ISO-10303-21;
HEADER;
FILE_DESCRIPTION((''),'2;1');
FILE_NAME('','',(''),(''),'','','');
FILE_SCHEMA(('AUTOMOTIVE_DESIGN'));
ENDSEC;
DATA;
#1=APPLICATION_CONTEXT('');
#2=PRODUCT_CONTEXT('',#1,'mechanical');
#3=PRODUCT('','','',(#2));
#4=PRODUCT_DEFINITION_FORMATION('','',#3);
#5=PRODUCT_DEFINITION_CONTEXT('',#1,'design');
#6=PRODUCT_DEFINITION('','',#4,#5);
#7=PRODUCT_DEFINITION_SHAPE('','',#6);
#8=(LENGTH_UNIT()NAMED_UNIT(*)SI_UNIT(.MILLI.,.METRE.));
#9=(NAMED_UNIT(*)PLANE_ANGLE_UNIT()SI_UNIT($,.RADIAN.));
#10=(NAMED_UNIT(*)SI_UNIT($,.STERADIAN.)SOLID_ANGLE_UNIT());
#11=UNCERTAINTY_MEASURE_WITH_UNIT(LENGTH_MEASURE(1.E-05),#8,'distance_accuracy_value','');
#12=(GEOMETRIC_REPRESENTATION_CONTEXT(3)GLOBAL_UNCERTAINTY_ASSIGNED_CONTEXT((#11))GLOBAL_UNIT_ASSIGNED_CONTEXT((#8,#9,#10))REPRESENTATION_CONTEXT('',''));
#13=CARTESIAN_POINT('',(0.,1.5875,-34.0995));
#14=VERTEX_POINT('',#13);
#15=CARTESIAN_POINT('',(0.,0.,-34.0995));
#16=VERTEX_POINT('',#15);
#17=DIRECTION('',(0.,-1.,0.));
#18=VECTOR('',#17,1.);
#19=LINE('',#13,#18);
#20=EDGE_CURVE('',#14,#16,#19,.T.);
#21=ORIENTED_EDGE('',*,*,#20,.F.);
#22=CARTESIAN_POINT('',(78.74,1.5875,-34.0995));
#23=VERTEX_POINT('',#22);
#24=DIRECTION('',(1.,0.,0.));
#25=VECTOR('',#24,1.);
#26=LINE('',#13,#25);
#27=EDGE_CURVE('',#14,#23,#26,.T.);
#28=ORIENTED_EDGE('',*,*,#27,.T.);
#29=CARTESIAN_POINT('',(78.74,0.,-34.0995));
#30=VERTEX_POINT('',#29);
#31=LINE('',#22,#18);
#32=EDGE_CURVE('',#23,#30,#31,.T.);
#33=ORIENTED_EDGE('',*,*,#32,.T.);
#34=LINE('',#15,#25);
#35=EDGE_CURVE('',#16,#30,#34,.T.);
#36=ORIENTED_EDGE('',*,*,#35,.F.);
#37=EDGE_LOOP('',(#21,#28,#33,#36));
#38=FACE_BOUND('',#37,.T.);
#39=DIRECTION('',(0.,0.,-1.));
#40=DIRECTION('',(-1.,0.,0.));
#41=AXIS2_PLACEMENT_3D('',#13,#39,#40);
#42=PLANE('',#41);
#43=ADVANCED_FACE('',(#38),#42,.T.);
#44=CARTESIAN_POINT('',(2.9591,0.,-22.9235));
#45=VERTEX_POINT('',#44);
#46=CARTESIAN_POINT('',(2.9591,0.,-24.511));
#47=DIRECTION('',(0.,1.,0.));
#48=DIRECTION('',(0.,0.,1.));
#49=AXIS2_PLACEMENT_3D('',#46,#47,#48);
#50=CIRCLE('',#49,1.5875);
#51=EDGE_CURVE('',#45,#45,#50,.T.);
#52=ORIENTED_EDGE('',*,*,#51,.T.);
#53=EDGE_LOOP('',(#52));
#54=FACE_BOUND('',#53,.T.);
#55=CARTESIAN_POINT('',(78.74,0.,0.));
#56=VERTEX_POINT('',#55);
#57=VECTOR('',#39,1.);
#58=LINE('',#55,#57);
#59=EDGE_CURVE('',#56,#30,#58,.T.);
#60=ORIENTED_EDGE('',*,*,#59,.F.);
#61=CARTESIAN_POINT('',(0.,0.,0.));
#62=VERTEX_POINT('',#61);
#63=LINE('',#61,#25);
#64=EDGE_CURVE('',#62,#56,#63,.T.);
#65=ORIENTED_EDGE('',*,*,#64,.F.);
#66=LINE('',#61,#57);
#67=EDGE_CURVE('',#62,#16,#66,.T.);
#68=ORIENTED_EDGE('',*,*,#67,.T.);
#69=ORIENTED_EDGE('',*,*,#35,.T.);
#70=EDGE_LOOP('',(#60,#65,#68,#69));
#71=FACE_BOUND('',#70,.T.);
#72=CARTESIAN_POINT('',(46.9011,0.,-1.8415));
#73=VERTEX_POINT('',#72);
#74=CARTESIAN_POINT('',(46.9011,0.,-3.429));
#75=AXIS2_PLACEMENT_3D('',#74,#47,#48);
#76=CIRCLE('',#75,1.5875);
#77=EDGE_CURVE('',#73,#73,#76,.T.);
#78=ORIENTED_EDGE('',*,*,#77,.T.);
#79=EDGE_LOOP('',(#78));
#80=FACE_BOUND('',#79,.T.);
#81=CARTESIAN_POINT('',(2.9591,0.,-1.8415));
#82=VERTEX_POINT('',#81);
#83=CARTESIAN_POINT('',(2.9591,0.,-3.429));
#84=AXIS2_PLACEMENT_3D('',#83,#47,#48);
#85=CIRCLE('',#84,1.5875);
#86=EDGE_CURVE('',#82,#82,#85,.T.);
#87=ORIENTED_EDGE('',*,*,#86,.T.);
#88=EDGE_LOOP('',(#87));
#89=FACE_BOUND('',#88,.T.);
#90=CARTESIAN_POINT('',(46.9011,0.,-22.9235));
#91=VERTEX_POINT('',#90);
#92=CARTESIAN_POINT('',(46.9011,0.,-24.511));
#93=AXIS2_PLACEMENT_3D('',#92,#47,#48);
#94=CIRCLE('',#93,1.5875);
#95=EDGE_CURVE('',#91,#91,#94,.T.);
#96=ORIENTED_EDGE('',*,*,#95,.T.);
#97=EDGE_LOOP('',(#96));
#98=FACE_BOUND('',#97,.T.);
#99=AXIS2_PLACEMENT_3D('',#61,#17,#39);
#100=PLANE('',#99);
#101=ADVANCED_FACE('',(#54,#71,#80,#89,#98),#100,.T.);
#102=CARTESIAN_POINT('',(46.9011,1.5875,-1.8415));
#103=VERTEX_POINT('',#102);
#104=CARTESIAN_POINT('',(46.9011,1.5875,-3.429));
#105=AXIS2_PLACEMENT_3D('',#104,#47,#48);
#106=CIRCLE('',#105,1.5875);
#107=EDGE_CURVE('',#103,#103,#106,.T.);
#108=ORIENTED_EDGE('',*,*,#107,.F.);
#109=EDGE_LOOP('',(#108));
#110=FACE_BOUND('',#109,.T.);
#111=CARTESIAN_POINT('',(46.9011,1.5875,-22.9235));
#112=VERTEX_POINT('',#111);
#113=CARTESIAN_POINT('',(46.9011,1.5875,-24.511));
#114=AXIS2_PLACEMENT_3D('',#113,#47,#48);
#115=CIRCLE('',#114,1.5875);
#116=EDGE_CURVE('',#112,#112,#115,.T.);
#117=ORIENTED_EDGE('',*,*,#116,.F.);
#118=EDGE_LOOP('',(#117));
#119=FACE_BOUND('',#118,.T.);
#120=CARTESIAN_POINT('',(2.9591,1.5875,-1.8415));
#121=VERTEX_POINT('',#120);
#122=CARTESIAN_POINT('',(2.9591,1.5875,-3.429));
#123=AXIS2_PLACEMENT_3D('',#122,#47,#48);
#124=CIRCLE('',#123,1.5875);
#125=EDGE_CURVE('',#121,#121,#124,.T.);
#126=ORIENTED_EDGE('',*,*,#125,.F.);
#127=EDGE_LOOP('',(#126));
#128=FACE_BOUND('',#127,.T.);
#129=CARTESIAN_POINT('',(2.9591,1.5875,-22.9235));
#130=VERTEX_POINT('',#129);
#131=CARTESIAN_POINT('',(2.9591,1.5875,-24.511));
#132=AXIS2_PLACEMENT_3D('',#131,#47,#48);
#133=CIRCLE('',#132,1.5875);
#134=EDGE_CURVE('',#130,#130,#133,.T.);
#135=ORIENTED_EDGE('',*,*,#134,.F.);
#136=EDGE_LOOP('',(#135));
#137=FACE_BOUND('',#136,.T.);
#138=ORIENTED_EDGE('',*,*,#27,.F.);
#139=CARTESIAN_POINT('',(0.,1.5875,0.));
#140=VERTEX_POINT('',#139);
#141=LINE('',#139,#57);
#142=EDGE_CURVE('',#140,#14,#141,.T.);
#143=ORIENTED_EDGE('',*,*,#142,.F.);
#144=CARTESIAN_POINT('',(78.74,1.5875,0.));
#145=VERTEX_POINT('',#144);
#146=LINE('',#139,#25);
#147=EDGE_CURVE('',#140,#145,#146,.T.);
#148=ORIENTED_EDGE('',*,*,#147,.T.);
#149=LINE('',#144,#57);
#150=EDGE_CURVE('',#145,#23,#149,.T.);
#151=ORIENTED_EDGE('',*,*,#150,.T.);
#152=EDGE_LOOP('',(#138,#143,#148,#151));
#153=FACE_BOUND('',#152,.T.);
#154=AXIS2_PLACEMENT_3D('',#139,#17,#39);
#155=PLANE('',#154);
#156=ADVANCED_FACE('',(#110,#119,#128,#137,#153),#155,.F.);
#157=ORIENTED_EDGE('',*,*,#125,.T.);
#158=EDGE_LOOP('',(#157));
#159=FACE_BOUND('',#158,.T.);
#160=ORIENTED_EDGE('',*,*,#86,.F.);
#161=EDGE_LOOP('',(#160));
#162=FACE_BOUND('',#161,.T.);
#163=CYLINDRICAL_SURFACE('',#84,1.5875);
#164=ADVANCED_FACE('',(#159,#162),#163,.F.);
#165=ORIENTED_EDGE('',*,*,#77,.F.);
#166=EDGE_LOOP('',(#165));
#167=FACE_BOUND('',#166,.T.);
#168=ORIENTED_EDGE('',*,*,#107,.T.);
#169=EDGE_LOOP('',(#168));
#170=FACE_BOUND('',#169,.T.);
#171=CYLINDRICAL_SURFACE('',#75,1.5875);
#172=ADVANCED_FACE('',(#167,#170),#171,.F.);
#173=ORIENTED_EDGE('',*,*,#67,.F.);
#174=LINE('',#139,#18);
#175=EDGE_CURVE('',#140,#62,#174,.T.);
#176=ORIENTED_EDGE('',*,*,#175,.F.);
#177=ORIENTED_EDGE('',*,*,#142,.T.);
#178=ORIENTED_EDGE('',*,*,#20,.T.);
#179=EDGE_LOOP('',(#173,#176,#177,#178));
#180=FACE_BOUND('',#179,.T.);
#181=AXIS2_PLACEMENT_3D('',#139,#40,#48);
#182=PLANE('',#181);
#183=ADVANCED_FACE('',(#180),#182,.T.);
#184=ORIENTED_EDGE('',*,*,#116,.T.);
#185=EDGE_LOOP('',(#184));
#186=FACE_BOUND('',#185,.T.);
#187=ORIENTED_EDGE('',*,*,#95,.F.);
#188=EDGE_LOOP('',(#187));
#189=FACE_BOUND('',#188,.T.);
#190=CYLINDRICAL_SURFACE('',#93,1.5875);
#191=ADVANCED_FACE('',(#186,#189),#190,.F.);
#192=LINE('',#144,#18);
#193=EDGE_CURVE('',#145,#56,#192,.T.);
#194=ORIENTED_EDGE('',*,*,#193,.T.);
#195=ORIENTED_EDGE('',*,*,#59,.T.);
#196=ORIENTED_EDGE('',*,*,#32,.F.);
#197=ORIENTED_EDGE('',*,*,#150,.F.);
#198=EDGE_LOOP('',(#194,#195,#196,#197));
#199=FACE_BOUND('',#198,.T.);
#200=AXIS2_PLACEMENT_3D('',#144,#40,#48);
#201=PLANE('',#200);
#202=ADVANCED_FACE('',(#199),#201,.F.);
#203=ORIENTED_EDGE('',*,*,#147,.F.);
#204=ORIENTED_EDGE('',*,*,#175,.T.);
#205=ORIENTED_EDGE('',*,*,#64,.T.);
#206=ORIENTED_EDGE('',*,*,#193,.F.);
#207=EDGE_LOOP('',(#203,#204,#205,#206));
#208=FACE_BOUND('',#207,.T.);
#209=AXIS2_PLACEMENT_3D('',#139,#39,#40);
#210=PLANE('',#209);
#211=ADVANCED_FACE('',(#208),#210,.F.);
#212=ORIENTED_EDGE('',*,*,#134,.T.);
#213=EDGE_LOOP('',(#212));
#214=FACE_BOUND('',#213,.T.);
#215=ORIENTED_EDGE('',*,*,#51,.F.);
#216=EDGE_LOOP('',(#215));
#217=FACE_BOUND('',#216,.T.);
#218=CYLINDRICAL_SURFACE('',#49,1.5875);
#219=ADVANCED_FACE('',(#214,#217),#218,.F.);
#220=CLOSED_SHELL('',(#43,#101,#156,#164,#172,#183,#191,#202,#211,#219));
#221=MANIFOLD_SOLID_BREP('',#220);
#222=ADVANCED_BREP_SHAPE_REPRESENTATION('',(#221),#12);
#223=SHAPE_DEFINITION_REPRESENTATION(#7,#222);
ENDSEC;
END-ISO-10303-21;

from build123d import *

# Parameters (mm, degrees)
SKETCH1_W           = 78.74
SKETCH1_H           = 34.0995
BOSS_EXTRUDE1_DEPTH = 1.5875
SKETCH2_R           = 1.5875
CUT_EXTRUDE1_DEPTH  = 86.821230803


with BuildPart() as part:
    # Sketch1 → Boss-Extrude1 (new body)
    with BuildSketch(Plane(origin=(0, 0, 0), x_dir=(1, 0, 0), z_dir=(0, 1, 0))):
        with Locations((39.37, 17.04975)):
            Rectangle(SKETCH1_W, SKETCH1_H)
    extrude(amount=BOSS_EXTRUDE1_DEPTH)

    # Sketch2 → Cut-Extrude1 (cut, through all)
    with BuildSketch(Plane(origin=(0, 1.5875, 0), x_dir=(1, 0, 0), z_dir=(0, 1, 0))):
        with Locations(Location((2.9591, 24.511, 0), (0, 0, 270))):
            Circle(SKETCH2_R)
        with Locations(Location((46.9011, 24.511, 0), (0, 0, 270))):
            Circle(SKETCH2_R)
        with Locations(Location((2.9591, 3.429, 0), (0, 0, 270))):
            Circle(SKETCH2_R)
        with Locations(Location((46.9011, 3.429, 0), (0, 0, 270))):
            Circle(SKETCH2_R)
    extrude(amount=-CUT_EXTRUDE1_DEPTH, mode=Mode.SUBTRACT)


solid = part.part
